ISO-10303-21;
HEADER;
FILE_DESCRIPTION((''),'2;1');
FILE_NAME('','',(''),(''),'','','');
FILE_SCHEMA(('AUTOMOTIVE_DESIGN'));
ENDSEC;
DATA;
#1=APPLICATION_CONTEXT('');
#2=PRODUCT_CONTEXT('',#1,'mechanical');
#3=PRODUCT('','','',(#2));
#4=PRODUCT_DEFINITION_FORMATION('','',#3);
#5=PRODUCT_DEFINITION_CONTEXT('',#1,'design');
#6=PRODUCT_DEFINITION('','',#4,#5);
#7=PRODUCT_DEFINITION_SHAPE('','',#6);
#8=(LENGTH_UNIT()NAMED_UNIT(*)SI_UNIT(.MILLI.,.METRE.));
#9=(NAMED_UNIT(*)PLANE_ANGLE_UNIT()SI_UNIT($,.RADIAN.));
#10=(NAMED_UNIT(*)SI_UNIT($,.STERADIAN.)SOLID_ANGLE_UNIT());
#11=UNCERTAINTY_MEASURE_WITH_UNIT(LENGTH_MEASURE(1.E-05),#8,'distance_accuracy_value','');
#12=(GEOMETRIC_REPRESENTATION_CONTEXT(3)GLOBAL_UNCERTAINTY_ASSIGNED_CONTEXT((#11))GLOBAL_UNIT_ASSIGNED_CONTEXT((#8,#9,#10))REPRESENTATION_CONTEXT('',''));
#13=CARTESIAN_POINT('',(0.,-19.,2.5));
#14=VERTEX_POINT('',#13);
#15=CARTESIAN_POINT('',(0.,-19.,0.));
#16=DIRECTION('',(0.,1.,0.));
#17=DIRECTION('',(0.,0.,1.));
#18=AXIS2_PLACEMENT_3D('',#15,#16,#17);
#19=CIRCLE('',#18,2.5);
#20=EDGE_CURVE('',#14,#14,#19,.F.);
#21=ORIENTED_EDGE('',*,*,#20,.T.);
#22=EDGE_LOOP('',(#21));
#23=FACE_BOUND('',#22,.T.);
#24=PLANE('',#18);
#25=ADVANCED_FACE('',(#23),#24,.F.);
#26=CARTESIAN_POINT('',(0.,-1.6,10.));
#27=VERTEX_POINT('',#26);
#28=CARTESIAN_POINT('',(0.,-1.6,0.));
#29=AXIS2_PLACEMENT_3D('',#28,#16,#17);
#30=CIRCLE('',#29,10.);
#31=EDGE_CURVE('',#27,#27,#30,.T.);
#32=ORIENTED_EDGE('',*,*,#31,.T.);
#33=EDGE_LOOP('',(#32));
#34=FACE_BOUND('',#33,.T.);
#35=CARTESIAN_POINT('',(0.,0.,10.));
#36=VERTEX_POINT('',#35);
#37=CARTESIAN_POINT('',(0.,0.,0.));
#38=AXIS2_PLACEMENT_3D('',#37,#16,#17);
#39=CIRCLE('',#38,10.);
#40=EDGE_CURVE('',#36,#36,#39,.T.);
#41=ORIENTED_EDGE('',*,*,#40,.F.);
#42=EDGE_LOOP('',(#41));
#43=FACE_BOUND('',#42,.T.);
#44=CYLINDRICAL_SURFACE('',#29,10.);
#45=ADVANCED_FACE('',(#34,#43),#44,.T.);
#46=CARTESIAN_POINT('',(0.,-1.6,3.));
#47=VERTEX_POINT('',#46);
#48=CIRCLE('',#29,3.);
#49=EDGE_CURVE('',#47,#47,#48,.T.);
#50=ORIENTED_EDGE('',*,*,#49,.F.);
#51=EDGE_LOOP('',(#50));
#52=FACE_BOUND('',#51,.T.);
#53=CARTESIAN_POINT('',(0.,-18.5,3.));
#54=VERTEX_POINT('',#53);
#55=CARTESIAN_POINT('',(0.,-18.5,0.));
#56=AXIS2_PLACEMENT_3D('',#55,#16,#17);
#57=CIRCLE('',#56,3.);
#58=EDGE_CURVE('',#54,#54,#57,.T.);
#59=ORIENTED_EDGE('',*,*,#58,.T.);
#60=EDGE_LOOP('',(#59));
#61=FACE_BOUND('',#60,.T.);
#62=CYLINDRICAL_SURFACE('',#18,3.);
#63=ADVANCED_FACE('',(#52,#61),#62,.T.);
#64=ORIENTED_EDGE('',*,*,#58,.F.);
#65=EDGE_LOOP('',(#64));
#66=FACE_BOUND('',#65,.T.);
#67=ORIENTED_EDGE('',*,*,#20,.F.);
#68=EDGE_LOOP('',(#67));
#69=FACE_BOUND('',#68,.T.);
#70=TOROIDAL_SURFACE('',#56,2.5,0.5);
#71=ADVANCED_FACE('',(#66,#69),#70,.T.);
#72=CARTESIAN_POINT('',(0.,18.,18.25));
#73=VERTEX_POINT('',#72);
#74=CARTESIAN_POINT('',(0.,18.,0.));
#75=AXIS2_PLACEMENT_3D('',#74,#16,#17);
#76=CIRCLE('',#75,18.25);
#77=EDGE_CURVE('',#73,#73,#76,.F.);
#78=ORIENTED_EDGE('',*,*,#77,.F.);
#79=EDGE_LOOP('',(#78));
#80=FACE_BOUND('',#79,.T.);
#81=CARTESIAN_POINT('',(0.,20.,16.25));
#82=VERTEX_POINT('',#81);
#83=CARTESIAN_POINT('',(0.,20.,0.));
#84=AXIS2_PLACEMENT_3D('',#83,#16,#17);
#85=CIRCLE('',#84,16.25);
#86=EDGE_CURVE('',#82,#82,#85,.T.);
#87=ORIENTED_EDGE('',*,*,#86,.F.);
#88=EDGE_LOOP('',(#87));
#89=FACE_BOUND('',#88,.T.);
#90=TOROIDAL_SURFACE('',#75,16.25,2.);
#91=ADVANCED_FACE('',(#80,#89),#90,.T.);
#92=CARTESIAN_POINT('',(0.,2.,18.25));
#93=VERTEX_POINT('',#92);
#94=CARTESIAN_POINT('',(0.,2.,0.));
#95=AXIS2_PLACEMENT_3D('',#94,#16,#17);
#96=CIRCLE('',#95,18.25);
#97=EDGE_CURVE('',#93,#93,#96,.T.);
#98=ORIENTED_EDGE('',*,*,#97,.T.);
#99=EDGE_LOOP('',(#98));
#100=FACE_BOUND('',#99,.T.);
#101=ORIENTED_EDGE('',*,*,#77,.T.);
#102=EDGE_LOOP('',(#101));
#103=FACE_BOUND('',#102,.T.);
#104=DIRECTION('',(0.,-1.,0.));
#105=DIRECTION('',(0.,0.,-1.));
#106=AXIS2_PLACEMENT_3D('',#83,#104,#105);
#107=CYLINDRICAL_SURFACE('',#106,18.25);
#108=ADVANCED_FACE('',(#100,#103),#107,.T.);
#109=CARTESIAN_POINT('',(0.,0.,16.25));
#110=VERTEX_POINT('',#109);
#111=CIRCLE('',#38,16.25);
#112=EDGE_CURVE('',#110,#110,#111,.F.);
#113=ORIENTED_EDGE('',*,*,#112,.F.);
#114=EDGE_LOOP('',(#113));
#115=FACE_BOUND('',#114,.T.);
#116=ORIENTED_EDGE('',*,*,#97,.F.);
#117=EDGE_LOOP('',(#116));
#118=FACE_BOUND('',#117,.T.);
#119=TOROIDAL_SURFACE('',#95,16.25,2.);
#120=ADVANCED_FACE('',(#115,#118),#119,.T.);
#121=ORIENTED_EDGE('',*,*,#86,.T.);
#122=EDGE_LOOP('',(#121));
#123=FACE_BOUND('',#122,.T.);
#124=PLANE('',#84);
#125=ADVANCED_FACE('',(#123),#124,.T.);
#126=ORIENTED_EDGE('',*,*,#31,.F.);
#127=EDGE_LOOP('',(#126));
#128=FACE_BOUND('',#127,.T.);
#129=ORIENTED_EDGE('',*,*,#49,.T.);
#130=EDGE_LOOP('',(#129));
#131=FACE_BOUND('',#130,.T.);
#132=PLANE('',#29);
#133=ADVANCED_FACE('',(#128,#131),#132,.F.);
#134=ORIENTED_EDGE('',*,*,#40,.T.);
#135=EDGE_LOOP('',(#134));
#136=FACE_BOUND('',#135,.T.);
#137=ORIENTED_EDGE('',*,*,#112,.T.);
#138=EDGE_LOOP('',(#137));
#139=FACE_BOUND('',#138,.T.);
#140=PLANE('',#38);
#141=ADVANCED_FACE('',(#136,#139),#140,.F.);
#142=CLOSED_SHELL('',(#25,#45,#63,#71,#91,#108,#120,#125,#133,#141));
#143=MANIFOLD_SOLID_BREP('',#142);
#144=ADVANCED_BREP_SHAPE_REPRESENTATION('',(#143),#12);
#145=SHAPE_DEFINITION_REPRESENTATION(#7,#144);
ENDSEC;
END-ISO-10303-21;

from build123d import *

# Parameters (mm, degrees)
SKETCH_1_R      = 18.25
EXTRUDE_1_DEPTH = 20
FILLET_1_R      = 2
SKETCH_2_R      = 10
EXTRUDE_2_DEPTH = 1.6
SKETCH_3_R      = 3
EXTRUDE_3_DEPTH = 19
FILLET_2_R      = 0.5


with BuildPart() as part:
    # 草图1 → 凸台-拉伸1 (new body)
    with BuildSketch(Plane(origin=(0, 0, 0), x_dir=(1, 0, 0), z_dir=(0, 1, 0))):
        with Locations(Location((0, 0, 0), (0, 0, 270))):
            Circle(SKETCH_1_R)
    extrude(amount=EXTRUDE_1_DEPTH)

    # 圆角1
    fillet_1_edges = [part.edges().sort_by_distance(p)[0] for p in [
        (0, 0, -18.25),
        (0, 20, -18.25),
    ]]
    fillet(fillet_1_edges, radius=FILLET_1_R)

    # 草图2 → 凸台-拉伸2 (add)
    with BuildSketch(Plane(origin=(0, 0, 0), x_dir=(1, 0, 0), z_dir=(0, 1, 0))):
        with Locations(Location((0, 0, 0), (0, 0, 270))):
            Circle(SKETCH_2_R)
    extrude(amount=-EXTRUDE_2_DEPTH)

    # 草图3 → 凸台-拉伸3 (add)
    with BuildSketch(Plane(origin=(0, 0, 0), x_dir=(1, 0, 0), z_dir=(0, 1, 0))):
        with Locations(Location((0, 0, 0), (0, 0, 270))):
            Circle(SKETCH_3_R)
    extrude(amount=-EXTRUDE_3_DEPTH)

    # 圆角2
    fillet_2_edges = [part.edges().sort_by_distance(p)[0] for p in [
        (0, -19, -3),
    ]]
    fillet(fillet_2_edges, radius=FILLET_2_R)


solid = part.part
